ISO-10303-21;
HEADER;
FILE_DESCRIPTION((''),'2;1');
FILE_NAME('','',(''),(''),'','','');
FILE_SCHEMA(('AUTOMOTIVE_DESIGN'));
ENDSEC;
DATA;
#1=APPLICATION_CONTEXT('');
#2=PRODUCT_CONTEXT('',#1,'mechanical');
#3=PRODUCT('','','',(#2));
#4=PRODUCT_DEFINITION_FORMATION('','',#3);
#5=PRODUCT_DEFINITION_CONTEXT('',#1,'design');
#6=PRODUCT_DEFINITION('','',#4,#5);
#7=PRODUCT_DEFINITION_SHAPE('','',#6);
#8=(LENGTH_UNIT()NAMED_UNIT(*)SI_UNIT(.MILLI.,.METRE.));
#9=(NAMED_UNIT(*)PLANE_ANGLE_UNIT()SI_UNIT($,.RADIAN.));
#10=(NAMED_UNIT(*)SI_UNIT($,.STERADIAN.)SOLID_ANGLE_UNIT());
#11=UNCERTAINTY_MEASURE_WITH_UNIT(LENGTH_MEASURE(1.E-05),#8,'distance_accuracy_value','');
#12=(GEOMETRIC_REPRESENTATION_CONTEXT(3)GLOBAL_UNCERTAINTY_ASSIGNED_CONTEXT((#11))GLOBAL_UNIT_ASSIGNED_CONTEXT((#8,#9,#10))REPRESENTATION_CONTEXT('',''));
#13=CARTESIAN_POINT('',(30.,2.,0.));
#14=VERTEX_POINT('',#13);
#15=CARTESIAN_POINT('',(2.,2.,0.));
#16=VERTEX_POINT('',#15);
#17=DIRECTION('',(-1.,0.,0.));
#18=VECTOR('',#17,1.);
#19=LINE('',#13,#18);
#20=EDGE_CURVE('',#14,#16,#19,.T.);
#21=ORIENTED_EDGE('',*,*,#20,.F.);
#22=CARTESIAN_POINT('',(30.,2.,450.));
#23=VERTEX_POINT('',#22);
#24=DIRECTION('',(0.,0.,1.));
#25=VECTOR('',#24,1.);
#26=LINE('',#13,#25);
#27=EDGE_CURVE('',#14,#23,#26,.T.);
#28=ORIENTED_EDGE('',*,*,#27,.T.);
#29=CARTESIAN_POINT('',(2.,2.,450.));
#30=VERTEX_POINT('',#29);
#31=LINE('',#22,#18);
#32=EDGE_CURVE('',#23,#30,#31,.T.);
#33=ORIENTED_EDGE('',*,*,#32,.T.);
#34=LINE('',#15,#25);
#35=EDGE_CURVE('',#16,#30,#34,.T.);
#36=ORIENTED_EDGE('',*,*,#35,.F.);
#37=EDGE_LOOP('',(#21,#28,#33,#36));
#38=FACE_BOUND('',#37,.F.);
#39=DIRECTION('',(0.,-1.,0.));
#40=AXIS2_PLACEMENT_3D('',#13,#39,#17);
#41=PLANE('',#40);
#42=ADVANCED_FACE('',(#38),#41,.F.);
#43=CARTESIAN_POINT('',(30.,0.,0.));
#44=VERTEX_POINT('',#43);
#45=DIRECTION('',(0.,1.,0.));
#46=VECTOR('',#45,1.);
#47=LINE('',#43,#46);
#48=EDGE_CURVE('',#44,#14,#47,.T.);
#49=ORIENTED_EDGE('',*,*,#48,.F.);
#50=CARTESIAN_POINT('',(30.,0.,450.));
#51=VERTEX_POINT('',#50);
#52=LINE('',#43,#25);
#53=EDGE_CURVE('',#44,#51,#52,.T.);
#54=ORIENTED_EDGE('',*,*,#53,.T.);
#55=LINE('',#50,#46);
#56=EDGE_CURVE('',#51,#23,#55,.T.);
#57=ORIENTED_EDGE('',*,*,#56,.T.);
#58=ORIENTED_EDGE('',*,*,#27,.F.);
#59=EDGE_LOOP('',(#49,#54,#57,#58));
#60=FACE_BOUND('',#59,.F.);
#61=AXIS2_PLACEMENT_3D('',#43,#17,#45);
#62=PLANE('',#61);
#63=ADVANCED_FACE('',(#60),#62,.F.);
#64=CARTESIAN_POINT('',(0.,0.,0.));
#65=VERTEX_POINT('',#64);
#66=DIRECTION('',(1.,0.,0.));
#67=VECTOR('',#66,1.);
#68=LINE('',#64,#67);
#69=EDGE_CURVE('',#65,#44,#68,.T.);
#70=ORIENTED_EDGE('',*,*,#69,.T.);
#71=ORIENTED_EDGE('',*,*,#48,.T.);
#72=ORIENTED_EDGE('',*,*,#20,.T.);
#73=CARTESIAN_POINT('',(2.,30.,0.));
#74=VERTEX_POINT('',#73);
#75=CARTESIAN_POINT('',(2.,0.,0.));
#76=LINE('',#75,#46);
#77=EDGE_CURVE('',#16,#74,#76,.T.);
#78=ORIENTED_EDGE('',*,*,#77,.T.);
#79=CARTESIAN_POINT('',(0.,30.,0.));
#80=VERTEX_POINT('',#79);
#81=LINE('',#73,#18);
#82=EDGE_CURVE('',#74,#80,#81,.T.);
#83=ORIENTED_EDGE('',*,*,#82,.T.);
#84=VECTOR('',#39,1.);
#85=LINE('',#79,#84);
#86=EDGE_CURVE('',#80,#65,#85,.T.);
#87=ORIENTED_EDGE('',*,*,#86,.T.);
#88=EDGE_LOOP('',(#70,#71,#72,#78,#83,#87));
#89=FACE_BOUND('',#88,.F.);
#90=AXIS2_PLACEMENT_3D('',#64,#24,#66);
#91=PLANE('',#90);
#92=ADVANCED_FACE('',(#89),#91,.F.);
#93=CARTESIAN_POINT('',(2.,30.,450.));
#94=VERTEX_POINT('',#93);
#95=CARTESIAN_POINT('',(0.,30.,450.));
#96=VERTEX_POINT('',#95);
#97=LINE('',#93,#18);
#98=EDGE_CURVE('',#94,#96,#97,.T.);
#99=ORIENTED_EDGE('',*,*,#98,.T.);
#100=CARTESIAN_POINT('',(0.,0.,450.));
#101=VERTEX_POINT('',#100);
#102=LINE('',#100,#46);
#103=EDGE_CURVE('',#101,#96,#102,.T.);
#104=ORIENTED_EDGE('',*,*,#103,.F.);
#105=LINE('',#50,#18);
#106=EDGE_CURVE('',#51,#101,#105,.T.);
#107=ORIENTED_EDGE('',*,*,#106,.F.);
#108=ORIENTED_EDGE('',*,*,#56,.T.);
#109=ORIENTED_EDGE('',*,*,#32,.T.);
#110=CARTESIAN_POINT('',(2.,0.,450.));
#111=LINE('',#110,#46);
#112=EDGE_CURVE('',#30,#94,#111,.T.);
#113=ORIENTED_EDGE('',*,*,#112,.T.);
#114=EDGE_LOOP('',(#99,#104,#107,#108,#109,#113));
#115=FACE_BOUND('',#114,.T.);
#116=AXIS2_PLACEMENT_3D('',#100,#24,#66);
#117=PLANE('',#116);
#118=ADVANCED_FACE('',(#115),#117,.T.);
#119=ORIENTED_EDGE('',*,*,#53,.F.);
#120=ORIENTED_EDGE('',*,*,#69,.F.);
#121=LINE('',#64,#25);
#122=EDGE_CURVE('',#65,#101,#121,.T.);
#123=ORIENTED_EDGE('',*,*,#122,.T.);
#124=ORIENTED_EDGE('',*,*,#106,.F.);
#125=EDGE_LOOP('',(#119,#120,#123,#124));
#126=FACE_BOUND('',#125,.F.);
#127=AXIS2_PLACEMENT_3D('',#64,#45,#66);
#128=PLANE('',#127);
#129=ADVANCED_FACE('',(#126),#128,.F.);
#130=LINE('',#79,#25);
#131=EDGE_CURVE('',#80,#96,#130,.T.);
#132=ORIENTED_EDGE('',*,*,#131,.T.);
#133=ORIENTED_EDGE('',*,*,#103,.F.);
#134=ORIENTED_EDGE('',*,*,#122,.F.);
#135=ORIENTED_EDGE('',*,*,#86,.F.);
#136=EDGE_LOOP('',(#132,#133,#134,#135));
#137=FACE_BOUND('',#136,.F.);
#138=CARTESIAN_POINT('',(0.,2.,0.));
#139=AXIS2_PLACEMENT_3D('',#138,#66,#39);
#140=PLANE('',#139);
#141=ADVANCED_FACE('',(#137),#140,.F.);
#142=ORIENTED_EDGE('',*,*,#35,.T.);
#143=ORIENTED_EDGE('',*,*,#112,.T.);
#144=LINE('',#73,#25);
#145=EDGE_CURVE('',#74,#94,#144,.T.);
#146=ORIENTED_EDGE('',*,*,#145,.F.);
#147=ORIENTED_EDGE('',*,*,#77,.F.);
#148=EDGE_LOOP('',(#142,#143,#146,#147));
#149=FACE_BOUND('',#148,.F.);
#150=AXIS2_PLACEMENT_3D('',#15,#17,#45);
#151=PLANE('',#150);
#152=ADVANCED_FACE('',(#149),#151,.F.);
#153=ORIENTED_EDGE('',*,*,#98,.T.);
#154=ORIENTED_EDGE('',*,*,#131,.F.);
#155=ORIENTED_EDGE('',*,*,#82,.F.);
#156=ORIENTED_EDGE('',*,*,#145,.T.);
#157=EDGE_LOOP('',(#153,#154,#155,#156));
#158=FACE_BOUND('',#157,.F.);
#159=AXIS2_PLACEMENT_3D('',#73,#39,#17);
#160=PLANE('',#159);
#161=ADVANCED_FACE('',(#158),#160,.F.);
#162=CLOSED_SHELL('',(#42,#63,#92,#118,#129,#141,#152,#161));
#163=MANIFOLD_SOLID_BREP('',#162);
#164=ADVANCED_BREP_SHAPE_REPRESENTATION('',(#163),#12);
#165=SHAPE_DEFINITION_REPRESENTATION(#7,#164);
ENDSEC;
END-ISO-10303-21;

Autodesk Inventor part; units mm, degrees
ref_plane "YZ Plane" through (0, 0, 0) normal (1, 0, 0) x (0, 1, 0)
ref_plane "XZ Plane" through (0, 0, 0) normal (0, 1, 0) x (-1, 0, 0)
ref_plane "XY Plane" through (0, 0, 0) normal (0, 0, 1) x (1, 0, 0)
sketch "Sketch1" plane through (0, 0, 0) normal (0, 0, 1) x (1, 0, 0)
  line L0 (0, 0) -> (30, 0)
  line L1 (30, 0) -> (30, 2)
  line L2 (30, 2) -> (0, 2)
  line L3 (0, 2) -> (0, 0)
  line L4 (0, 0) -> (2, 0)
  line L5 (2, 0) -> (2, 30)
  line L6 (2, 30) -> (0, 30)
  line L7 (0, 30) -> (0, 0)
  dimension "d0" = 30
  dimension "d1" = 2
  dimension "d2" = 2
  dimension "d3" = 30
extrude "Extrusion1" add sketch "Sketch1" along normal blind 450
properties part number "Katownik_stalowy"
